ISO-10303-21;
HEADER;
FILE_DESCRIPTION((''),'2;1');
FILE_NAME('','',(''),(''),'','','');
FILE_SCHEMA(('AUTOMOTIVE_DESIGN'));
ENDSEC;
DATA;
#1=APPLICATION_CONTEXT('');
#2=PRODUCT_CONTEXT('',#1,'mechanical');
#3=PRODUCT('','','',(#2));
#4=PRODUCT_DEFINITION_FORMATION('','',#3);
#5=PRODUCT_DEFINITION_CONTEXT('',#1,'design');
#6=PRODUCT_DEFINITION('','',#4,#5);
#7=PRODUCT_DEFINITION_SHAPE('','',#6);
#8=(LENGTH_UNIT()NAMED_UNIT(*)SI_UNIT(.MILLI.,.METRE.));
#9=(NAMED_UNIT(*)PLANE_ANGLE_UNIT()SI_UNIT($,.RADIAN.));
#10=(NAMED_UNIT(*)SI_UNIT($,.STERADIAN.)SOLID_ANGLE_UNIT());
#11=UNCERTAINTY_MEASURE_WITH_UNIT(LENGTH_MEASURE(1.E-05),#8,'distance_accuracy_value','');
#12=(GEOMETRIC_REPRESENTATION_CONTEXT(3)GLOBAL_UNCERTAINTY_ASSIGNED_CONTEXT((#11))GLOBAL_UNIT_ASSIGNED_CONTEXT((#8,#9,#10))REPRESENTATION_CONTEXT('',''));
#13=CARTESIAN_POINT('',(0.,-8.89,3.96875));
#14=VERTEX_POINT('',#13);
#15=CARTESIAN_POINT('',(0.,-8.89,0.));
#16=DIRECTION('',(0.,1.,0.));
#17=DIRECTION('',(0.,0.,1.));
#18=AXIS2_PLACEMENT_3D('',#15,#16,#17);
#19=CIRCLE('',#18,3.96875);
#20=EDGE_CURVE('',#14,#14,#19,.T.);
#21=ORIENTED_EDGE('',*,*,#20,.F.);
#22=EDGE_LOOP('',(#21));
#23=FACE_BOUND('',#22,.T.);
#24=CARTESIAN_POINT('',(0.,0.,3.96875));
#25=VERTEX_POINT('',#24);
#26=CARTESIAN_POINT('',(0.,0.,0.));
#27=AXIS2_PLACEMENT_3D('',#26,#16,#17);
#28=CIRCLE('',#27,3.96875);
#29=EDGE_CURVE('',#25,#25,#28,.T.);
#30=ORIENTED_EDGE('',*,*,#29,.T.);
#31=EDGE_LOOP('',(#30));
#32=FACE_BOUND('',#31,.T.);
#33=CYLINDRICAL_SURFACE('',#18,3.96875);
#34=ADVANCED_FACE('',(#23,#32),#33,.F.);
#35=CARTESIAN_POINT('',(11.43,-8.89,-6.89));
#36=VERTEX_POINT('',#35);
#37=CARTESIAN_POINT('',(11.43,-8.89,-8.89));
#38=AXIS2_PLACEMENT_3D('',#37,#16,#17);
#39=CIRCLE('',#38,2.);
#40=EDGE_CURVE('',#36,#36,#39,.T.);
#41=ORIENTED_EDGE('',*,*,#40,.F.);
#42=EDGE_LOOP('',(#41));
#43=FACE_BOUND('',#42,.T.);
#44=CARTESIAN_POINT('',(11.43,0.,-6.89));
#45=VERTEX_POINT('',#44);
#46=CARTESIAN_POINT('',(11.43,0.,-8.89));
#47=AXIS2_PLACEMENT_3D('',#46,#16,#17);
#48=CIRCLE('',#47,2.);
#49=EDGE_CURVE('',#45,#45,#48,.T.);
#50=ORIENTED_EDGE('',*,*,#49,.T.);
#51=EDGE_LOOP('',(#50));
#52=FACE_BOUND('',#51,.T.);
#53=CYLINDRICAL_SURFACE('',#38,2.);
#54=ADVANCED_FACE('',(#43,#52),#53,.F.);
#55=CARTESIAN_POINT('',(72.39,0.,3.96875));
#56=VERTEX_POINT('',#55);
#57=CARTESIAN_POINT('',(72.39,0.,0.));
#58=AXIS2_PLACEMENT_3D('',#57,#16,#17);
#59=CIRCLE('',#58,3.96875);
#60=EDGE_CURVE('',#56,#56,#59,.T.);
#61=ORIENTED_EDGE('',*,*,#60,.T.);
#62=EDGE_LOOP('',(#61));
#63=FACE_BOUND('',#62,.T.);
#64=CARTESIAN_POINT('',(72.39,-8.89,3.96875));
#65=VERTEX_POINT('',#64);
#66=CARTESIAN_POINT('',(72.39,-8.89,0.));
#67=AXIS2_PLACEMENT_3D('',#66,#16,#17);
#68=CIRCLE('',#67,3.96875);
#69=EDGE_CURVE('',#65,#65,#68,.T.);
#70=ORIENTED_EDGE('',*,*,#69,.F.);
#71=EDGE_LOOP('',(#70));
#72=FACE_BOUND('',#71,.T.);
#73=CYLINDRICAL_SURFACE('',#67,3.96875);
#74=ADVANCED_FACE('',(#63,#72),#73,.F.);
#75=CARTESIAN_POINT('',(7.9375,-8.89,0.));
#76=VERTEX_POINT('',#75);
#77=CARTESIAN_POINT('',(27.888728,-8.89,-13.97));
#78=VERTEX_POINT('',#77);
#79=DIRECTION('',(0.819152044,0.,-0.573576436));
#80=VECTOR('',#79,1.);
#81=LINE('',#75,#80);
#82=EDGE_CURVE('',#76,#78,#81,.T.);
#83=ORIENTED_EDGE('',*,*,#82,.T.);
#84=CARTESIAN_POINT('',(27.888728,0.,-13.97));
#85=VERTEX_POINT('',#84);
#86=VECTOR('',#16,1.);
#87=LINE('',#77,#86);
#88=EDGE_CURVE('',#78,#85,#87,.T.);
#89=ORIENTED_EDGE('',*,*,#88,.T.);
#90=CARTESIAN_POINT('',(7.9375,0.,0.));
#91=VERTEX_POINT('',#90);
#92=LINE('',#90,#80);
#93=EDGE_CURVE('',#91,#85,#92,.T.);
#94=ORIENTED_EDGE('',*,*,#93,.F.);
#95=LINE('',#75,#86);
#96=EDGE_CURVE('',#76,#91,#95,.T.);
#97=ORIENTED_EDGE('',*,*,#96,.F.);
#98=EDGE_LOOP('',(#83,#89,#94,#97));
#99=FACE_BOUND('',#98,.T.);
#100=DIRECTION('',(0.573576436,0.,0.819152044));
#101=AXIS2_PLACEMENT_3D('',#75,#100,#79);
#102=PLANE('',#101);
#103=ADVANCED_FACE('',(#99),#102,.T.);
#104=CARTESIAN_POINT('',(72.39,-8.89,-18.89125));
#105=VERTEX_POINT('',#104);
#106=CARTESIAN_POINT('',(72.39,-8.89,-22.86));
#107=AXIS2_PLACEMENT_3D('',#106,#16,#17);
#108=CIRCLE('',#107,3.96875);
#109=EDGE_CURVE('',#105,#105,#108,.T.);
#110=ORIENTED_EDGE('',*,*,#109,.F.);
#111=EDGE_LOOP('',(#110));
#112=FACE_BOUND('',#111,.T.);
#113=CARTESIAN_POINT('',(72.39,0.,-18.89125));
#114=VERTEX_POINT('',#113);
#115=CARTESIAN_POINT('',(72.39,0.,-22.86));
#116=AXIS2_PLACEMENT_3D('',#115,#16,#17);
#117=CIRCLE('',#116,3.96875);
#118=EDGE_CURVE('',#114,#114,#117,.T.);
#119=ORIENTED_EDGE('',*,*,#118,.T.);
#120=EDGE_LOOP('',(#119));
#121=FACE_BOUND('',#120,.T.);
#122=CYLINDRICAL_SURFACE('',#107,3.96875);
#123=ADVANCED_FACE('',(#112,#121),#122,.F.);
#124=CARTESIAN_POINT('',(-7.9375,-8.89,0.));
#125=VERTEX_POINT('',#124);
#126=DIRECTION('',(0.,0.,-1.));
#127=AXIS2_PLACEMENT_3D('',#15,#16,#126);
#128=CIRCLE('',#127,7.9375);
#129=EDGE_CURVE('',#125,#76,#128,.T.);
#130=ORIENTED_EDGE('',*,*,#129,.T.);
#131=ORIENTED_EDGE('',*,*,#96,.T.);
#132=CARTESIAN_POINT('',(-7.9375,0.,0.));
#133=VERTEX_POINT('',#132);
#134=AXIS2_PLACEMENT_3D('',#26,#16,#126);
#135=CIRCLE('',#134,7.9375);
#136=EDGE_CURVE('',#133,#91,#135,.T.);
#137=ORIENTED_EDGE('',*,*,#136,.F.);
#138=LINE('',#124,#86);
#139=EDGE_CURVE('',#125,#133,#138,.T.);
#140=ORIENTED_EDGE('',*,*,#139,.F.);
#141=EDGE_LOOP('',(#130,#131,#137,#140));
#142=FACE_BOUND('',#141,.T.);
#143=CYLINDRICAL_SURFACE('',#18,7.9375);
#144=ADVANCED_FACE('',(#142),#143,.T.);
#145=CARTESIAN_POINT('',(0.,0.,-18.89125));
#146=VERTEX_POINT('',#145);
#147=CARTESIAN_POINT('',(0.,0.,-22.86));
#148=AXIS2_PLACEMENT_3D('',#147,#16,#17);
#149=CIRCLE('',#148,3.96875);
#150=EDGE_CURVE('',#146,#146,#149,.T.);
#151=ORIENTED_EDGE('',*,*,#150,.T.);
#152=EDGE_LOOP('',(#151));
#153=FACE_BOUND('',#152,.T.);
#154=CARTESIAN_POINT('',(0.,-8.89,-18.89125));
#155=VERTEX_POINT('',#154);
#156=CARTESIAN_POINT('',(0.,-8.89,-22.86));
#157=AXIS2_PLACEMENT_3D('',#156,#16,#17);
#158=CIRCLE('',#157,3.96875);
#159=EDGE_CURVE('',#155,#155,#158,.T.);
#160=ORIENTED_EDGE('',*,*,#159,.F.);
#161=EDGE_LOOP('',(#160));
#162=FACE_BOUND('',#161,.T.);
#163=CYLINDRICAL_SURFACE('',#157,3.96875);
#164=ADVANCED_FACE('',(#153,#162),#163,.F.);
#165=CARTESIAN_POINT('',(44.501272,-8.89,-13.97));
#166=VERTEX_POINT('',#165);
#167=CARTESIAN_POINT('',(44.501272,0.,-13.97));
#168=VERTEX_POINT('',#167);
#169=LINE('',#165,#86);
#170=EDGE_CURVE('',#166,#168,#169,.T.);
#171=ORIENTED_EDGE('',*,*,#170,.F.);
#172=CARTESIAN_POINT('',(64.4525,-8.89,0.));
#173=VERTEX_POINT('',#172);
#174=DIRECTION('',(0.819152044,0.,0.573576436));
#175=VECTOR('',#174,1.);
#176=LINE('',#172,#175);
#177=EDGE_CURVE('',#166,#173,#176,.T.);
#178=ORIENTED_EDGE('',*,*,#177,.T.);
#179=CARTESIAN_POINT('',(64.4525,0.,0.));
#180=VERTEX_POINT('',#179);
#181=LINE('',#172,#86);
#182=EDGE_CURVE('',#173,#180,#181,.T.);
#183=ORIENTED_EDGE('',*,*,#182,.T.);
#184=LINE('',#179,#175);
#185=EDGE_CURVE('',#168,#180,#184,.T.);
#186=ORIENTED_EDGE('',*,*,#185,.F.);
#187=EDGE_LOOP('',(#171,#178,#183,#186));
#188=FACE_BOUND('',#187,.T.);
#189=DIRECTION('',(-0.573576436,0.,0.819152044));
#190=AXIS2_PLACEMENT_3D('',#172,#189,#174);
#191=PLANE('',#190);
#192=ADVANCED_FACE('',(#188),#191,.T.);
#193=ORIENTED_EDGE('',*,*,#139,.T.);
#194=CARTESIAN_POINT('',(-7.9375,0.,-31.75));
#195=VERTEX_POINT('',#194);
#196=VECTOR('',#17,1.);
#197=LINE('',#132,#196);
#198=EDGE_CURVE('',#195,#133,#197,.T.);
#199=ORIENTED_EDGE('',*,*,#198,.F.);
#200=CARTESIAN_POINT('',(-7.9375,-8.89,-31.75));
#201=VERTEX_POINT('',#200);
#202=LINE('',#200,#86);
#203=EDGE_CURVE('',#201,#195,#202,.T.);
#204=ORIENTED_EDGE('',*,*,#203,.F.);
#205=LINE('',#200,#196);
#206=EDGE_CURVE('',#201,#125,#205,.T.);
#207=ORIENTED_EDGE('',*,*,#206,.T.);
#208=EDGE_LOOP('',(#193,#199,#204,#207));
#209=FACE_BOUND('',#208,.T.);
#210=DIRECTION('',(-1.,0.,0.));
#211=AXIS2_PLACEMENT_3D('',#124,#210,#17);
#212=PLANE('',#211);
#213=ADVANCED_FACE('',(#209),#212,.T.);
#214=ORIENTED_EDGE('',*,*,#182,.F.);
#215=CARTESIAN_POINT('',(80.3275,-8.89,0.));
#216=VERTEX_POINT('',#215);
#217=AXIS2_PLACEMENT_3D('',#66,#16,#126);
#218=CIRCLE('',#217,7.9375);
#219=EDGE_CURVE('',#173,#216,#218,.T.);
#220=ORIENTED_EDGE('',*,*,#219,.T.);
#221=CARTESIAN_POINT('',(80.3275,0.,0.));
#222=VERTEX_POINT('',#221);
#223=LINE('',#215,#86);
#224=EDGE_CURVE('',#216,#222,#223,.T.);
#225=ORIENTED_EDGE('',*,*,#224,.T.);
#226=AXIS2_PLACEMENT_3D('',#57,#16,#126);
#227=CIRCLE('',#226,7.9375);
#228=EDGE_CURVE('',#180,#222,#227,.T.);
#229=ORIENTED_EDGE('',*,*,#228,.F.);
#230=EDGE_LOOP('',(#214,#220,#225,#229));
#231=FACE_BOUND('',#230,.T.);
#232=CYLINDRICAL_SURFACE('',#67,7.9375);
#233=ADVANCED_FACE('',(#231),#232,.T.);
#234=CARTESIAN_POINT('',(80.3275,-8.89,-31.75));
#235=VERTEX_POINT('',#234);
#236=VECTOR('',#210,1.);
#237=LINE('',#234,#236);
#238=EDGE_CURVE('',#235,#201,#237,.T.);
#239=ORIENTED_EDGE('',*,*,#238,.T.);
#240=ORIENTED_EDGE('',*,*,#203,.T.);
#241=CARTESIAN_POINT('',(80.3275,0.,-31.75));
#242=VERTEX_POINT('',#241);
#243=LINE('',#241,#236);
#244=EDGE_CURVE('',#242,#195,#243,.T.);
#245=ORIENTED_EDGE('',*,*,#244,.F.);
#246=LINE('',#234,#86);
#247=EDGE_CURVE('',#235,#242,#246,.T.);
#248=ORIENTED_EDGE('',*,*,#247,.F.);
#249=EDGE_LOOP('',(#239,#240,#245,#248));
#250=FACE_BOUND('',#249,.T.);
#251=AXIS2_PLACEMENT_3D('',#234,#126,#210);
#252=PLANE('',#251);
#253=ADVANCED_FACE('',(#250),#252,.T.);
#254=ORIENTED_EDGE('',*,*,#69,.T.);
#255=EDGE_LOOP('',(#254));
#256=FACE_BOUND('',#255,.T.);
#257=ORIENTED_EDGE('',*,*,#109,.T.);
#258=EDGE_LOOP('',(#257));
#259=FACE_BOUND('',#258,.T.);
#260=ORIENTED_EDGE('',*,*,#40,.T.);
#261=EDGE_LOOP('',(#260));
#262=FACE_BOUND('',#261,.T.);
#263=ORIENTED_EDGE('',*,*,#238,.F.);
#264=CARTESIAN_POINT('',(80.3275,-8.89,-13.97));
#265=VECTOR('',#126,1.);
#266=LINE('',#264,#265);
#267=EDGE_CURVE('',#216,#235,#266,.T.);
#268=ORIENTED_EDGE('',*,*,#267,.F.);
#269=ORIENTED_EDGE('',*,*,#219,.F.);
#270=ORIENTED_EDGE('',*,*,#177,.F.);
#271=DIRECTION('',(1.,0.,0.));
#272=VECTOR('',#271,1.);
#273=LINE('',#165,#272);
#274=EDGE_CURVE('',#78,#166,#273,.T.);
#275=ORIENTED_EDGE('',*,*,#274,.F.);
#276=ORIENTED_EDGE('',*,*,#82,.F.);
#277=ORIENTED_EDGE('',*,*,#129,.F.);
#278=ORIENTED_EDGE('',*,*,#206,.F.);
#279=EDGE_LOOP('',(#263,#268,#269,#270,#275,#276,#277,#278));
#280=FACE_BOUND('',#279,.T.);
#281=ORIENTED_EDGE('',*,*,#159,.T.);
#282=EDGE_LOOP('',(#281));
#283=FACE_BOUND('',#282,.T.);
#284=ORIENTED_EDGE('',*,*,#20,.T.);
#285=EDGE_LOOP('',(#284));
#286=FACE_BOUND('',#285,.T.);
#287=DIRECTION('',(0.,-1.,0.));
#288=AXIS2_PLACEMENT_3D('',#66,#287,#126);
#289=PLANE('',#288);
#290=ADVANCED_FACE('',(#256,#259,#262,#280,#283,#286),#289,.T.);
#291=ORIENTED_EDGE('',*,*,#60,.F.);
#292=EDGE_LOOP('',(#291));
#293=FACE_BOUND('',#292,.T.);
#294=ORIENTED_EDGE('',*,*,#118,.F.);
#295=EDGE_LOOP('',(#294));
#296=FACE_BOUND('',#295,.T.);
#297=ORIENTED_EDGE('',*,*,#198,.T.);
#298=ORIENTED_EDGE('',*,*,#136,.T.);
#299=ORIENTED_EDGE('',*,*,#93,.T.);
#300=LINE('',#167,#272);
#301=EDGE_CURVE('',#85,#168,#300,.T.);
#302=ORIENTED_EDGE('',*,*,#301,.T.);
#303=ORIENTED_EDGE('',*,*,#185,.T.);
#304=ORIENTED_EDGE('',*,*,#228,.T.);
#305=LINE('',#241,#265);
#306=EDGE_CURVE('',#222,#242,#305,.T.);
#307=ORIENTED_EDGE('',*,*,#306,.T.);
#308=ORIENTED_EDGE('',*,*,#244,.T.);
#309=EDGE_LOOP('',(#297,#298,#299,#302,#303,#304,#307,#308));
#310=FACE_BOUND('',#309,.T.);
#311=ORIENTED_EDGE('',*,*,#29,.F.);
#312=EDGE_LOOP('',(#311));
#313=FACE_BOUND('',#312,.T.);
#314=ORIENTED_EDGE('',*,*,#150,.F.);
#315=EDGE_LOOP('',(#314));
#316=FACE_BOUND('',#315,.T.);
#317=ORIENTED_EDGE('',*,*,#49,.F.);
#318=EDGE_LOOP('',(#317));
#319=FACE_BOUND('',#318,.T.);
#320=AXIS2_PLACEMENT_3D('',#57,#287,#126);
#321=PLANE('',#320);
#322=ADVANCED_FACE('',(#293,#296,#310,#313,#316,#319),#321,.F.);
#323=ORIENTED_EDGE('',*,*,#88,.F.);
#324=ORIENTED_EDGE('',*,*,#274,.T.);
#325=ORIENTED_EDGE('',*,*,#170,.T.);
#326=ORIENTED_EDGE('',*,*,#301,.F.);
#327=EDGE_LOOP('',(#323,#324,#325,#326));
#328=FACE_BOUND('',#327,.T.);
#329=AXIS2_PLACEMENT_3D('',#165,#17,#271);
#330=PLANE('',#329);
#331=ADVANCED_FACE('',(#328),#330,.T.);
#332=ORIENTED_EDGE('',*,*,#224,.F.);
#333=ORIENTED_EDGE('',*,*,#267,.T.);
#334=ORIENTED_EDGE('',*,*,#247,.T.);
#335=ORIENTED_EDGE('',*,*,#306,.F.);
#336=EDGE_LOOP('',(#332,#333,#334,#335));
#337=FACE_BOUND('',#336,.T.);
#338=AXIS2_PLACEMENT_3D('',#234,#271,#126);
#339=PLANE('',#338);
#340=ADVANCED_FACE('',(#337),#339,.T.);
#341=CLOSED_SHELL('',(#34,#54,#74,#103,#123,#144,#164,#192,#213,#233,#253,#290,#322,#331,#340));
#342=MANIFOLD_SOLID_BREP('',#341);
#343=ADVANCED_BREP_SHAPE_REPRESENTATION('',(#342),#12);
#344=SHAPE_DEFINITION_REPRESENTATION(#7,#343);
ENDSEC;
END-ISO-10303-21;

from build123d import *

# Parameters (mm, degrees)
SKETCH1_R           = 3.96875
SKETCH1_R_2         = 2
BOSS_EXTRUDE1_DEPTH = 8.89


with BuildPart() as part:
    # Sketch1 → Boss-Extrude1 (new body)
    with BuildSketch(Plane(origin=(0, 0, 0), x_dir=(1, 0, 0), z_dir=(0, 1, 0))):
        with BuildLine():
            Line((80.3275, 31.75), (-7.9375, 31.75))
            Line((-7.9375, 31.75), (-7.9375, 13.97))
            Line((-7.9375, 13.97), (-7.9375, 0))
            ThreePointArc((-7.9375, 0), (0, -7.9375), (7.9375, 0))
            Line((7.9375, 0), (27.888727654, 13.97))
            Line((27.888727654, 13.97), (44.501272346, 13.97))
            Line((44.501272346, 13.97), (64.4525, 0))
            ThreePointArc((64.4525, 0), (72.39, -7.9375), (80.3275, 0))
            Line((80.3275, 0), (80.3275, 13.97))
            Line((80.3275, 13.97), (80.3275, 31.75))
        make_face()
        with Locations(Location((0, 0, 0), (0, 0, 270))):
            Circle(SKETCH1_R, mode=Mode.SUBTRACT)
        with Locations(Location((72.39, 0, 0), (0, 0, 270))):
            Circle(SKETCH1_R, mode=Mode.SUBTRACT)
        with Locations(Location((72.39, 22.86, 0), (0, 0, 270))):
            Circle(SKETCH1_R, mode=Mode.SUBTRACT)
        with Locations(Location((0, 22.86, 0), (0, 0, 270))):
            Circle(SKETCH1_R, mode=Mode.SUBTRACT)
        with Locations(Location((11.43, 8.89, 0), (0, 0, 270))):
            Circle(SKETCH1_R_2, mode=Mode.SUBTRACT)
    extrude(amount=-BOSS_EXTRUDE1_DEPTH)


solid = part.part
